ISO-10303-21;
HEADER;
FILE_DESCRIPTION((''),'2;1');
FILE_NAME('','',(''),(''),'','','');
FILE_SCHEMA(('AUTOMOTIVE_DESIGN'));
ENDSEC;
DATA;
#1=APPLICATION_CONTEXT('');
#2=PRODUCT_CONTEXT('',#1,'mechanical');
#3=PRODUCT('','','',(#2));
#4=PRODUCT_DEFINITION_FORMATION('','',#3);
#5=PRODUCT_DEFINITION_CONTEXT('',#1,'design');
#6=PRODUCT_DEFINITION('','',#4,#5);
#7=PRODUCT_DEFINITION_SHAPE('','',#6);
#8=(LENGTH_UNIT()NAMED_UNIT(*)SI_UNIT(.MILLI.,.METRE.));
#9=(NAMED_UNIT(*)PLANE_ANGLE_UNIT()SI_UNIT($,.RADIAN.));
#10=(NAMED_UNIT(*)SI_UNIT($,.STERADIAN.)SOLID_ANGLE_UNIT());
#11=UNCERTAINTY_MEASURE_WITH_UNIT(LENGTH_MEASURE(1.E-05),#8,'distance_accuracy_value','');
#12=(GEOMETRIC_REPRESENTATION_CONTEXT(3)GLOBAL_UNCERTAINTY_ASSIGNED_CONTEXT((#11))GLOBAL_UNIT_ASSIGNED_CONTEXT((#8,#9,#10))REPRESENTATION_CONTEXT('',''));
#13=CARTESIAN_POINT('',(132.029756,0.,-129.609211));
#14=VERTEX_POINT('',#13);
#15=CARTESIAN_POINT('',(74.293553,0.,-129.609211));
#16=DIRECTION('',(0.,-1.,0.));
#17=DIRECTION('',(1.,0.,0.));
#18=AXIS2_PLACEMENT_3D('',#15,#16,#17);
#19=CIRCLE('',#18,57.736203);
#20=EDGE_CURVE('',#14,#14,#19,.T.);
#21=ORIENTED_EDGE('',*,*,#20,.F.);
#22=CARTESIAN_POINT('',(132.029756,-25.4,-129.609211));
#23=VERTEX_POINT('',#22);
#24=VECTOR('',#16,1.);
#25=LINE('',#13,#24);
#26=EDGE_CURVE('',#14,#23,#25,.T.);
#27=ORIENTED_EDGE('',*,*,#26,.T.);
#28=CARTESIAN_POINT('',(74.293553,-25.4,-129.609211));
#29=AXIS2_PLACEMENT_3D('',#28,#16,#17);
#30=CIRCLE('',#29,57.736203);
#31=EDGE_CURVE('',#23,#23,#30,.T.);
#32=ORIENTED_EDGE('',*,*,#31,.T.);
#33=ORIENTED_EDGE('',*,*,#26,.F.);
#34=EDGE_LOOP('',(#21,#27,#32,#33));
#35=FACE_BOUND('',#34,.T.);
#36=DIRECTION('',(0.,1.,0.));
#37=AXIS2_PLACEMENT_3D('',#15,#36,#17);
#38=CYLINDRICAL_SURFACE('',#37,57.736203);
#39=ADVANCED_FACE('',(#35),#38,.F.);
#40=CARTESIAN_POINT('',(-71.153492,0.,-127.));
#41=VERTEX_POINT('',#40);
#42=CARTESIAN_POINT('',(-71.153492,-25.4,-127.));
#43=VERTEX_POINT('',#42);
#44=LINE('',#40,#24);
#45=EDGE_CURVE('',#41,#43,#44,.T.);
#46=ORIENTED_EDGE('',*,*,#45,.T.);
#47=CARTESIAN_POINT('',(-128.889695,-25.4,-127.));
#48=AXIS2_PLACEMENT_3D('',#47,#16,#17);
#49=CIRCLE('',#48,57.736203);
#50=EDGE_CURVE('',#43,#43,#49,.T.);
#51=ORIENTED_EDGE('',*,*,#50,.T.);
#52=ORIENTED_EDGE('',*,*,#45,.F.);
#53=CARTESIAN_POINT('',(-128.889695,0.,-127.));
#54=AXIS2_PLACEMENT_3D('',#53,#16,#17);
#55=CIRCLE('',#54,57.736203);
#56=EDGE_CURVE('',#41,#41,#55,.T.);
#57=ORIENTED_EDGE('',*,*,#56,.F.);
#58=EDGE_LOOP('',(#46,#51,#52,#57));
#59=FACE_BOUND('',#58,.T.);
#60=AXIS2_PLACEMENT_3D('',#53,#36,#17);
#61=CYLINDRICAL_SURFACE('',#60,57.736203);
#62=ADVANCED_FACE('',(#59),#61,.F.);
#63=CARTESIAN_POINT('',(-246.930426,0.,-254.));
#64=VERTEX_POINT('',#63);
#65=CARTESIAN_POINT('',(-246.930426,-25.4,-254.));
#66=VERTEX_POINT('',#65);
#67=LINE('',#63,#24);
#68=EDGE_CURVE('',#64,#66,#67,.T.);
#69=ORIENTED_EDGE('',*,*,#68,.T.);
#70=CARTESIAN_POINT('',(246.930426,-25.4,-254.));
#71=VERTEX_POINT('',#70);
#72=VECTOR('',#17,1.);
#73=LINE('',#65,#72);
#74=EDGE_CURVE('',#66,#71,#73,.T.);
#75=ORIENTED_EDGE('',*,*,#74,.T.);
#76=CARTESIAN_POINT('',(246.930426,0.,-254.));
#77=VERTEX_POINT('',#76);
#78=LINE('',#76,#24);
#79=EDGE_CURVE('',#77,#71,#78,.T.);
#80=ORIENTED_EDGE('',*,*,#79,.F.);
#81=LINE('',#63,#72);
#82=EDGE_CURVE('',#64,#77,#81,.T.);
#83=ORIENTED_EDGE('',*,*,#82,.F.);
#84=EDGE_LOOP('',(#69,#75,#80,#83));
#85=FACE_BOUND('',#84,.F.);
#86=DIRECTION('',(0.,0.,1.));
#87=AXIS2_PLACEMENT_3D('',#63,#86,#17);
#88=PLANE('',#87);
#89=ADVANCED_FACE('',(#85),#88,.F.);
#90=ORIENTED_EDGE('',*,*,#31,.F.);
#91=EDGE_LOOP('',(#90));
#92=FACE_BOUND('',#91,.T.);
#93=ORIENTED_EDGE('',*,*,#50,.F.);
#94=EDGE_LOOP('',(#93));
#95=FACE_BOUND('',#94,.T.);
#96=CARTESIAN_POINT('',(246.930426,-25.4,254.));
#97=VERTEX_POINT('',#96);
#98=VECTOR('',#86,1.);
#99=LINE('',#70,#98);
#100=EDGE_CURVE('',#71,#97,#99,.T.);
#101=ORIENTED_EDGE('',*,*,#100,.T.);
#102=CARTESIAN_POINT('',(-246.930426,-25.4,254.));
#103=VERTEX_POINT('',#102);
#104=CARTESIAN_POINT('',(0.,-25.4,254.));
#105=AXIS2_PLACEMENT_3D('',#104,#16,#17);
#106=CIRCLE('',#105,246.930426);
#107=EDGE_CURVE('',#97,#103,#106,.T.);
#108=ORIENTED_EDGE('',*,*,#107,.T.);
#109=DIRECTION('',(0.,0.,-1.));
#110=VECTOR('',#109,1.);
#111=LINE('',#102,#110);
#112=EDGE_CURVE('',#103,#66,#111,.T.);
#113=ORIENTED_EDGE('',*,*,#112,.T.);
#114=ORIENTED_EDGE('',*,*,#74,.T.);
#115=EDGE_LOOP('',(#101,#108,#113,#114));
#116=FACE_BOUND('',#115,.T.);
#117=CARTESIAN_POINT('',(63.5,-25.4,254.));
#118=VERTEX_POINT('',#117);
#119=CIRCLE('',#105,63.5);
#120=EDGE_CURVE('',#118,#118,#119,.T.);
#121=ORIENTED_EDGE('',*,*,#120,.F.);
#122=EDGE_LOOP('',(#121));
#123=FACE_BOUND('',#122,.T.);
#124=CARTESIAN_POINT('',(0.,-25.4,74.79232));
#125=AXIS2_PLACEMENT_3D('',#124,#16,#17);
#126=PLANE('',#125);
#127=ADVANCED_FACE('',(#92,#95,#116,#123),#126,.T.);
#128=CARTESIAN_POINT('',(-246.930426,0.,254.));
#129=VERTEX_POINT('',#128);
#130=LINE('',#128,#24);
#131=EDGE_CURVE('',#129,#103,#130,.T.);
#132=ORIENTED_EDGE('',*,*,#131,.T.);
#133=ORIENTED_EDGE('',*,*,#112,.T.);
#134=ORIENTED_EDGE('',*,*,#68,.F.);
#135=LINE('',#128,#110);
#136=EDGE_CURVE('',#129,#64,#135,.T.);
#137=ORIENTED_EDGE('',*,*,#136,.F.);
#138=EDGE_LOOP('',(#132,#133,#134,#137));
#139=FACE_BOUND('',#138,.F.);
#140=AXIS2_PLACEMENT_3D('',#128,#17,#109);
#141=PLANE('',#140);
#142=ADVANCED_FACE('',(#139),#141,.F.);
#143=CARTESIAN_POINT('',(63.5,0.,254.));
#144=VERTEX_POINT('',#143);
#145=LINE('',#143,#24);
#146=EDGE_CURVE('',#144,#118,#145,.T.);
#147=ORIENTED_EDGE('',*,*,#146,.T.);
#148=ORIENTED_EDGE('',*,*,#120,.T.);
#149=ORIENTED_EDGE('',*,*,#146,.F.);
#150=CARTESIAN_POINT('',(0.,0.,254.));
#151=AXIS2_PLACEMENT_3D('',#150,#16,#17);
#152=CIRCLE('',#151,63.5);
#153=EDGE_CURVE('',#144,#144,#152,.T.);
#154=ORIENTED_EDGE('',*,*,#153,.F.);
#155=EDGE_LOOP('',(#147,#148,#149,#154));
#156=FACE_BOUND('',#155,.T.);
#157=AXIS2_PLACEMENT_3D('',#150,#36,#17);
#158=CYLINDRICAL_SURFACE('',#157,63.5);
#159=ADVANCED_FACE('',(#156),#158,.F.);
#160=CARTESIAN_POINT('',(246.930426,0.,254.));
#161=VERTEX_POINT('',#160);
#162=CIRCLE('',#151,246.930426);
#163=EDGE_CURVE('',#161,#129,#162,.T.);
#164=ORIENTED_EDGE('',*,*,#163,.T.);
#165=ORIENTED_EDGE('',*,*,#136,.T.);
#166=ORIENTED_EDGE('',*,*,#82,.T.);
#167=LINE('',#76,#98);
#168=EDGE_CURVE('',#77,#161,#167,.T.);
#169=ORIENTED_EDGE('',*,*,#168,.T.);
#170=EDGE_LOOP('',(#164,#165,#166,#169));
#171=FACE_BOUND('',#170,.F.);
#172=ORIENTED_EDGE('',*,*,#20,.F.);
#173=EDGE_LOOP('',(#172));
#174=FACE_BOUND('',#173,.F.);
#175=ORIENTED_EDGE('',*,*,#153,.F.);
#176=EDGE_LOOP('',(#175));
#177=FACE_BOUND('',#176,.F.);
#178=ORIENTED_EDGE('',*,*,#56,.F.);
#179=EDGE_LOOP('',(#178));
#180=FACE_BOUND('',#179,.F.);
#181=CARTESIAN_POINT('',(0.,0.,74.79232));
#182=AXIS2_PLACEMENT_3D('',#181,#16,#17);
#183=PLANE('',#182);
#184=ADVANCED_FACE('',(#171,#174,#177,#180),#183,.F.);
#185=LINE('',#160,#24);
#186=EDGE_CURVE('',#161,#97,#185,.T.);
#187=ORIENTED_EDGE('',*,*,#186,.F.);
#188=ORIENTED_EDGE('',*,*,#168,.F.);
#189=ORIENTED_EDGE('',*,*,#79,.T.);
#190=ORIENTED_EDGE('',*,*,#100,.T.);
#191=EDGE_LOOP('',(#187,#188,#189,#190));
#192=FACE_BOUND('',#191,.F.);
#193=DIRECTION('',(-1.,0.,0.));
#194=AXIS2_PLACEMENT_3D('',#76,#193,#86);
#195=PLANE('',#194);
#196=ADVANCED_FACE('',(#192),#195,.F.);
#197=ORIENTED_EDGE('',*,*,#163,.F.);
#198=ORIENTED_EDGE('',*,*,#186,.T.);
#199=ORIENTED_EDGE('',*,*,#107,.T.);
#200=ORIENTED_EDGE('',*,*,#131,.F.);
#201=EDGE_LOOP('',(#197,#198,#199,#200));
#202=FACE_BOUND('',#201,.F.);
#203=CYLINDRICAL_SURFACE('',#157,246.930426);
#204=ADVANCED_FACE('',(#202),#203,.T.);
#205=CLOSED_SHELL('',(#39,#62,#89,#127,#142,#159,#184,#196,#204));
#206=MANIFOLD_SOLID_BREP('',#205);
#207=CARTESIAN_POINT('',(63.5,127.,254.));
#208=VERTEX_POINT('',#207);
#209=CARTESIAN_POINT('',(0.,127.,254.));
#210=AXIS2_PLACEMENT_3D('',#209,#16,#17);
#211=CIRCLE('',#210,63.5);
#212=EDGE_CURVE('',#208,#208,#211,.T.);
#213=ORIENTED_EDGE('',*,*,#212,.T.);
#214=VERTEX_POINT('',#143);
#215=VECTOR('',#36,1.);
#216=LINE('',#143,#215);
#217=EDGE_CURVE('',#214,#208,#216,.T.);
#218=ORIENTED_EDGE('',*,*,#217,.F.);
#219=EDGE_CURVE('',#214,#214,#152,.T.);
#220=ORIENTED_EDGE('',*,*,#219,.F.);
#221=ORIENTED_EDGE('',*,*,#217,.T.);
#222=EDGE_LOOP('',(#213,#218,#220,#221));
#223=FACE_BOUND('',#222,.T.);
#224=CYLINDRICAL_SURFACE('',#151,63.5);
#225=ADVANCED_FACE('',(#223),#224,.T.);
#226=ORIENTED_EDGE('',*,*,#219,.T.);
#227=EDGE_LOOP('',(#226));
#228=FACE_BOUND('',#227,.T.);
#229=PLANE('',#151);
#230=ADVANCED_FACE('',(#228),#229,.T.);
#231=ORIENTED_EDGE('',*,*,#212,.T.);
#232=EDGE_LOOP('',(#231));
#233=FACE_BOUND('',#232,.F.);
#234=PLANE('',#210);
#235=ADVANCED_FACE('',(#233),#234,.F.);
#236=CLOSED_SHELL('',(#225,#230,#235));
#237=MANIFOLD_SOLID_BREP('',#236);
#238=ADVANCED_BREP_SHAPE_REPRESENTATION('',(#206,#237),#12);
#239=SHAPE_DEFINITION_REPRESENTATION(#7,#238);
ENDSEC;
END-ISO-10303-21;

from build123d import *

# Parameters (mm, degrees)
F0_R     = 57.736203
F0_R_2   = 63.5
F1_DEPTH = 25.4
F2_R     = 63.5
F3_DEPTH = 127


with BuildPart() as f1:
    # F0 (on Front) → F1 (new body)
    with BuildSketch(Plane.XZ):
        with BuildLine():
            Line((-246.930426, 254), (-246.930426, -254))
            Line((-246.930426, -254), (246.930426, -254))
            Line((246.930426, -254), (246.930426, 254))
            ThreePointArc((246.930426, 254), (0, 500.930426), (-246.930426, 254))
        make_face()
        with Locations((-128.889695, -127)):
            Circle(F0_R, mode=Mode.SUBTRACT)
        with Locations((74.293553, -129.609211)):
            Circle(F0_R, mode=Mode.SUBTRACT)
        with Locations((0, 254)):
            Circle(F0_R_2, mode=Mode.SUBTRACT)
    extrude(amount=F1_DEPTH)

    # F2 (on Front) → F3 (join)
    with BuildSketch(Plane.XZ):
        with Locations((0, 254)):
            Circle(F2_R)
    extrude(amount=-F3_DEPTH)


solid = f1.part
